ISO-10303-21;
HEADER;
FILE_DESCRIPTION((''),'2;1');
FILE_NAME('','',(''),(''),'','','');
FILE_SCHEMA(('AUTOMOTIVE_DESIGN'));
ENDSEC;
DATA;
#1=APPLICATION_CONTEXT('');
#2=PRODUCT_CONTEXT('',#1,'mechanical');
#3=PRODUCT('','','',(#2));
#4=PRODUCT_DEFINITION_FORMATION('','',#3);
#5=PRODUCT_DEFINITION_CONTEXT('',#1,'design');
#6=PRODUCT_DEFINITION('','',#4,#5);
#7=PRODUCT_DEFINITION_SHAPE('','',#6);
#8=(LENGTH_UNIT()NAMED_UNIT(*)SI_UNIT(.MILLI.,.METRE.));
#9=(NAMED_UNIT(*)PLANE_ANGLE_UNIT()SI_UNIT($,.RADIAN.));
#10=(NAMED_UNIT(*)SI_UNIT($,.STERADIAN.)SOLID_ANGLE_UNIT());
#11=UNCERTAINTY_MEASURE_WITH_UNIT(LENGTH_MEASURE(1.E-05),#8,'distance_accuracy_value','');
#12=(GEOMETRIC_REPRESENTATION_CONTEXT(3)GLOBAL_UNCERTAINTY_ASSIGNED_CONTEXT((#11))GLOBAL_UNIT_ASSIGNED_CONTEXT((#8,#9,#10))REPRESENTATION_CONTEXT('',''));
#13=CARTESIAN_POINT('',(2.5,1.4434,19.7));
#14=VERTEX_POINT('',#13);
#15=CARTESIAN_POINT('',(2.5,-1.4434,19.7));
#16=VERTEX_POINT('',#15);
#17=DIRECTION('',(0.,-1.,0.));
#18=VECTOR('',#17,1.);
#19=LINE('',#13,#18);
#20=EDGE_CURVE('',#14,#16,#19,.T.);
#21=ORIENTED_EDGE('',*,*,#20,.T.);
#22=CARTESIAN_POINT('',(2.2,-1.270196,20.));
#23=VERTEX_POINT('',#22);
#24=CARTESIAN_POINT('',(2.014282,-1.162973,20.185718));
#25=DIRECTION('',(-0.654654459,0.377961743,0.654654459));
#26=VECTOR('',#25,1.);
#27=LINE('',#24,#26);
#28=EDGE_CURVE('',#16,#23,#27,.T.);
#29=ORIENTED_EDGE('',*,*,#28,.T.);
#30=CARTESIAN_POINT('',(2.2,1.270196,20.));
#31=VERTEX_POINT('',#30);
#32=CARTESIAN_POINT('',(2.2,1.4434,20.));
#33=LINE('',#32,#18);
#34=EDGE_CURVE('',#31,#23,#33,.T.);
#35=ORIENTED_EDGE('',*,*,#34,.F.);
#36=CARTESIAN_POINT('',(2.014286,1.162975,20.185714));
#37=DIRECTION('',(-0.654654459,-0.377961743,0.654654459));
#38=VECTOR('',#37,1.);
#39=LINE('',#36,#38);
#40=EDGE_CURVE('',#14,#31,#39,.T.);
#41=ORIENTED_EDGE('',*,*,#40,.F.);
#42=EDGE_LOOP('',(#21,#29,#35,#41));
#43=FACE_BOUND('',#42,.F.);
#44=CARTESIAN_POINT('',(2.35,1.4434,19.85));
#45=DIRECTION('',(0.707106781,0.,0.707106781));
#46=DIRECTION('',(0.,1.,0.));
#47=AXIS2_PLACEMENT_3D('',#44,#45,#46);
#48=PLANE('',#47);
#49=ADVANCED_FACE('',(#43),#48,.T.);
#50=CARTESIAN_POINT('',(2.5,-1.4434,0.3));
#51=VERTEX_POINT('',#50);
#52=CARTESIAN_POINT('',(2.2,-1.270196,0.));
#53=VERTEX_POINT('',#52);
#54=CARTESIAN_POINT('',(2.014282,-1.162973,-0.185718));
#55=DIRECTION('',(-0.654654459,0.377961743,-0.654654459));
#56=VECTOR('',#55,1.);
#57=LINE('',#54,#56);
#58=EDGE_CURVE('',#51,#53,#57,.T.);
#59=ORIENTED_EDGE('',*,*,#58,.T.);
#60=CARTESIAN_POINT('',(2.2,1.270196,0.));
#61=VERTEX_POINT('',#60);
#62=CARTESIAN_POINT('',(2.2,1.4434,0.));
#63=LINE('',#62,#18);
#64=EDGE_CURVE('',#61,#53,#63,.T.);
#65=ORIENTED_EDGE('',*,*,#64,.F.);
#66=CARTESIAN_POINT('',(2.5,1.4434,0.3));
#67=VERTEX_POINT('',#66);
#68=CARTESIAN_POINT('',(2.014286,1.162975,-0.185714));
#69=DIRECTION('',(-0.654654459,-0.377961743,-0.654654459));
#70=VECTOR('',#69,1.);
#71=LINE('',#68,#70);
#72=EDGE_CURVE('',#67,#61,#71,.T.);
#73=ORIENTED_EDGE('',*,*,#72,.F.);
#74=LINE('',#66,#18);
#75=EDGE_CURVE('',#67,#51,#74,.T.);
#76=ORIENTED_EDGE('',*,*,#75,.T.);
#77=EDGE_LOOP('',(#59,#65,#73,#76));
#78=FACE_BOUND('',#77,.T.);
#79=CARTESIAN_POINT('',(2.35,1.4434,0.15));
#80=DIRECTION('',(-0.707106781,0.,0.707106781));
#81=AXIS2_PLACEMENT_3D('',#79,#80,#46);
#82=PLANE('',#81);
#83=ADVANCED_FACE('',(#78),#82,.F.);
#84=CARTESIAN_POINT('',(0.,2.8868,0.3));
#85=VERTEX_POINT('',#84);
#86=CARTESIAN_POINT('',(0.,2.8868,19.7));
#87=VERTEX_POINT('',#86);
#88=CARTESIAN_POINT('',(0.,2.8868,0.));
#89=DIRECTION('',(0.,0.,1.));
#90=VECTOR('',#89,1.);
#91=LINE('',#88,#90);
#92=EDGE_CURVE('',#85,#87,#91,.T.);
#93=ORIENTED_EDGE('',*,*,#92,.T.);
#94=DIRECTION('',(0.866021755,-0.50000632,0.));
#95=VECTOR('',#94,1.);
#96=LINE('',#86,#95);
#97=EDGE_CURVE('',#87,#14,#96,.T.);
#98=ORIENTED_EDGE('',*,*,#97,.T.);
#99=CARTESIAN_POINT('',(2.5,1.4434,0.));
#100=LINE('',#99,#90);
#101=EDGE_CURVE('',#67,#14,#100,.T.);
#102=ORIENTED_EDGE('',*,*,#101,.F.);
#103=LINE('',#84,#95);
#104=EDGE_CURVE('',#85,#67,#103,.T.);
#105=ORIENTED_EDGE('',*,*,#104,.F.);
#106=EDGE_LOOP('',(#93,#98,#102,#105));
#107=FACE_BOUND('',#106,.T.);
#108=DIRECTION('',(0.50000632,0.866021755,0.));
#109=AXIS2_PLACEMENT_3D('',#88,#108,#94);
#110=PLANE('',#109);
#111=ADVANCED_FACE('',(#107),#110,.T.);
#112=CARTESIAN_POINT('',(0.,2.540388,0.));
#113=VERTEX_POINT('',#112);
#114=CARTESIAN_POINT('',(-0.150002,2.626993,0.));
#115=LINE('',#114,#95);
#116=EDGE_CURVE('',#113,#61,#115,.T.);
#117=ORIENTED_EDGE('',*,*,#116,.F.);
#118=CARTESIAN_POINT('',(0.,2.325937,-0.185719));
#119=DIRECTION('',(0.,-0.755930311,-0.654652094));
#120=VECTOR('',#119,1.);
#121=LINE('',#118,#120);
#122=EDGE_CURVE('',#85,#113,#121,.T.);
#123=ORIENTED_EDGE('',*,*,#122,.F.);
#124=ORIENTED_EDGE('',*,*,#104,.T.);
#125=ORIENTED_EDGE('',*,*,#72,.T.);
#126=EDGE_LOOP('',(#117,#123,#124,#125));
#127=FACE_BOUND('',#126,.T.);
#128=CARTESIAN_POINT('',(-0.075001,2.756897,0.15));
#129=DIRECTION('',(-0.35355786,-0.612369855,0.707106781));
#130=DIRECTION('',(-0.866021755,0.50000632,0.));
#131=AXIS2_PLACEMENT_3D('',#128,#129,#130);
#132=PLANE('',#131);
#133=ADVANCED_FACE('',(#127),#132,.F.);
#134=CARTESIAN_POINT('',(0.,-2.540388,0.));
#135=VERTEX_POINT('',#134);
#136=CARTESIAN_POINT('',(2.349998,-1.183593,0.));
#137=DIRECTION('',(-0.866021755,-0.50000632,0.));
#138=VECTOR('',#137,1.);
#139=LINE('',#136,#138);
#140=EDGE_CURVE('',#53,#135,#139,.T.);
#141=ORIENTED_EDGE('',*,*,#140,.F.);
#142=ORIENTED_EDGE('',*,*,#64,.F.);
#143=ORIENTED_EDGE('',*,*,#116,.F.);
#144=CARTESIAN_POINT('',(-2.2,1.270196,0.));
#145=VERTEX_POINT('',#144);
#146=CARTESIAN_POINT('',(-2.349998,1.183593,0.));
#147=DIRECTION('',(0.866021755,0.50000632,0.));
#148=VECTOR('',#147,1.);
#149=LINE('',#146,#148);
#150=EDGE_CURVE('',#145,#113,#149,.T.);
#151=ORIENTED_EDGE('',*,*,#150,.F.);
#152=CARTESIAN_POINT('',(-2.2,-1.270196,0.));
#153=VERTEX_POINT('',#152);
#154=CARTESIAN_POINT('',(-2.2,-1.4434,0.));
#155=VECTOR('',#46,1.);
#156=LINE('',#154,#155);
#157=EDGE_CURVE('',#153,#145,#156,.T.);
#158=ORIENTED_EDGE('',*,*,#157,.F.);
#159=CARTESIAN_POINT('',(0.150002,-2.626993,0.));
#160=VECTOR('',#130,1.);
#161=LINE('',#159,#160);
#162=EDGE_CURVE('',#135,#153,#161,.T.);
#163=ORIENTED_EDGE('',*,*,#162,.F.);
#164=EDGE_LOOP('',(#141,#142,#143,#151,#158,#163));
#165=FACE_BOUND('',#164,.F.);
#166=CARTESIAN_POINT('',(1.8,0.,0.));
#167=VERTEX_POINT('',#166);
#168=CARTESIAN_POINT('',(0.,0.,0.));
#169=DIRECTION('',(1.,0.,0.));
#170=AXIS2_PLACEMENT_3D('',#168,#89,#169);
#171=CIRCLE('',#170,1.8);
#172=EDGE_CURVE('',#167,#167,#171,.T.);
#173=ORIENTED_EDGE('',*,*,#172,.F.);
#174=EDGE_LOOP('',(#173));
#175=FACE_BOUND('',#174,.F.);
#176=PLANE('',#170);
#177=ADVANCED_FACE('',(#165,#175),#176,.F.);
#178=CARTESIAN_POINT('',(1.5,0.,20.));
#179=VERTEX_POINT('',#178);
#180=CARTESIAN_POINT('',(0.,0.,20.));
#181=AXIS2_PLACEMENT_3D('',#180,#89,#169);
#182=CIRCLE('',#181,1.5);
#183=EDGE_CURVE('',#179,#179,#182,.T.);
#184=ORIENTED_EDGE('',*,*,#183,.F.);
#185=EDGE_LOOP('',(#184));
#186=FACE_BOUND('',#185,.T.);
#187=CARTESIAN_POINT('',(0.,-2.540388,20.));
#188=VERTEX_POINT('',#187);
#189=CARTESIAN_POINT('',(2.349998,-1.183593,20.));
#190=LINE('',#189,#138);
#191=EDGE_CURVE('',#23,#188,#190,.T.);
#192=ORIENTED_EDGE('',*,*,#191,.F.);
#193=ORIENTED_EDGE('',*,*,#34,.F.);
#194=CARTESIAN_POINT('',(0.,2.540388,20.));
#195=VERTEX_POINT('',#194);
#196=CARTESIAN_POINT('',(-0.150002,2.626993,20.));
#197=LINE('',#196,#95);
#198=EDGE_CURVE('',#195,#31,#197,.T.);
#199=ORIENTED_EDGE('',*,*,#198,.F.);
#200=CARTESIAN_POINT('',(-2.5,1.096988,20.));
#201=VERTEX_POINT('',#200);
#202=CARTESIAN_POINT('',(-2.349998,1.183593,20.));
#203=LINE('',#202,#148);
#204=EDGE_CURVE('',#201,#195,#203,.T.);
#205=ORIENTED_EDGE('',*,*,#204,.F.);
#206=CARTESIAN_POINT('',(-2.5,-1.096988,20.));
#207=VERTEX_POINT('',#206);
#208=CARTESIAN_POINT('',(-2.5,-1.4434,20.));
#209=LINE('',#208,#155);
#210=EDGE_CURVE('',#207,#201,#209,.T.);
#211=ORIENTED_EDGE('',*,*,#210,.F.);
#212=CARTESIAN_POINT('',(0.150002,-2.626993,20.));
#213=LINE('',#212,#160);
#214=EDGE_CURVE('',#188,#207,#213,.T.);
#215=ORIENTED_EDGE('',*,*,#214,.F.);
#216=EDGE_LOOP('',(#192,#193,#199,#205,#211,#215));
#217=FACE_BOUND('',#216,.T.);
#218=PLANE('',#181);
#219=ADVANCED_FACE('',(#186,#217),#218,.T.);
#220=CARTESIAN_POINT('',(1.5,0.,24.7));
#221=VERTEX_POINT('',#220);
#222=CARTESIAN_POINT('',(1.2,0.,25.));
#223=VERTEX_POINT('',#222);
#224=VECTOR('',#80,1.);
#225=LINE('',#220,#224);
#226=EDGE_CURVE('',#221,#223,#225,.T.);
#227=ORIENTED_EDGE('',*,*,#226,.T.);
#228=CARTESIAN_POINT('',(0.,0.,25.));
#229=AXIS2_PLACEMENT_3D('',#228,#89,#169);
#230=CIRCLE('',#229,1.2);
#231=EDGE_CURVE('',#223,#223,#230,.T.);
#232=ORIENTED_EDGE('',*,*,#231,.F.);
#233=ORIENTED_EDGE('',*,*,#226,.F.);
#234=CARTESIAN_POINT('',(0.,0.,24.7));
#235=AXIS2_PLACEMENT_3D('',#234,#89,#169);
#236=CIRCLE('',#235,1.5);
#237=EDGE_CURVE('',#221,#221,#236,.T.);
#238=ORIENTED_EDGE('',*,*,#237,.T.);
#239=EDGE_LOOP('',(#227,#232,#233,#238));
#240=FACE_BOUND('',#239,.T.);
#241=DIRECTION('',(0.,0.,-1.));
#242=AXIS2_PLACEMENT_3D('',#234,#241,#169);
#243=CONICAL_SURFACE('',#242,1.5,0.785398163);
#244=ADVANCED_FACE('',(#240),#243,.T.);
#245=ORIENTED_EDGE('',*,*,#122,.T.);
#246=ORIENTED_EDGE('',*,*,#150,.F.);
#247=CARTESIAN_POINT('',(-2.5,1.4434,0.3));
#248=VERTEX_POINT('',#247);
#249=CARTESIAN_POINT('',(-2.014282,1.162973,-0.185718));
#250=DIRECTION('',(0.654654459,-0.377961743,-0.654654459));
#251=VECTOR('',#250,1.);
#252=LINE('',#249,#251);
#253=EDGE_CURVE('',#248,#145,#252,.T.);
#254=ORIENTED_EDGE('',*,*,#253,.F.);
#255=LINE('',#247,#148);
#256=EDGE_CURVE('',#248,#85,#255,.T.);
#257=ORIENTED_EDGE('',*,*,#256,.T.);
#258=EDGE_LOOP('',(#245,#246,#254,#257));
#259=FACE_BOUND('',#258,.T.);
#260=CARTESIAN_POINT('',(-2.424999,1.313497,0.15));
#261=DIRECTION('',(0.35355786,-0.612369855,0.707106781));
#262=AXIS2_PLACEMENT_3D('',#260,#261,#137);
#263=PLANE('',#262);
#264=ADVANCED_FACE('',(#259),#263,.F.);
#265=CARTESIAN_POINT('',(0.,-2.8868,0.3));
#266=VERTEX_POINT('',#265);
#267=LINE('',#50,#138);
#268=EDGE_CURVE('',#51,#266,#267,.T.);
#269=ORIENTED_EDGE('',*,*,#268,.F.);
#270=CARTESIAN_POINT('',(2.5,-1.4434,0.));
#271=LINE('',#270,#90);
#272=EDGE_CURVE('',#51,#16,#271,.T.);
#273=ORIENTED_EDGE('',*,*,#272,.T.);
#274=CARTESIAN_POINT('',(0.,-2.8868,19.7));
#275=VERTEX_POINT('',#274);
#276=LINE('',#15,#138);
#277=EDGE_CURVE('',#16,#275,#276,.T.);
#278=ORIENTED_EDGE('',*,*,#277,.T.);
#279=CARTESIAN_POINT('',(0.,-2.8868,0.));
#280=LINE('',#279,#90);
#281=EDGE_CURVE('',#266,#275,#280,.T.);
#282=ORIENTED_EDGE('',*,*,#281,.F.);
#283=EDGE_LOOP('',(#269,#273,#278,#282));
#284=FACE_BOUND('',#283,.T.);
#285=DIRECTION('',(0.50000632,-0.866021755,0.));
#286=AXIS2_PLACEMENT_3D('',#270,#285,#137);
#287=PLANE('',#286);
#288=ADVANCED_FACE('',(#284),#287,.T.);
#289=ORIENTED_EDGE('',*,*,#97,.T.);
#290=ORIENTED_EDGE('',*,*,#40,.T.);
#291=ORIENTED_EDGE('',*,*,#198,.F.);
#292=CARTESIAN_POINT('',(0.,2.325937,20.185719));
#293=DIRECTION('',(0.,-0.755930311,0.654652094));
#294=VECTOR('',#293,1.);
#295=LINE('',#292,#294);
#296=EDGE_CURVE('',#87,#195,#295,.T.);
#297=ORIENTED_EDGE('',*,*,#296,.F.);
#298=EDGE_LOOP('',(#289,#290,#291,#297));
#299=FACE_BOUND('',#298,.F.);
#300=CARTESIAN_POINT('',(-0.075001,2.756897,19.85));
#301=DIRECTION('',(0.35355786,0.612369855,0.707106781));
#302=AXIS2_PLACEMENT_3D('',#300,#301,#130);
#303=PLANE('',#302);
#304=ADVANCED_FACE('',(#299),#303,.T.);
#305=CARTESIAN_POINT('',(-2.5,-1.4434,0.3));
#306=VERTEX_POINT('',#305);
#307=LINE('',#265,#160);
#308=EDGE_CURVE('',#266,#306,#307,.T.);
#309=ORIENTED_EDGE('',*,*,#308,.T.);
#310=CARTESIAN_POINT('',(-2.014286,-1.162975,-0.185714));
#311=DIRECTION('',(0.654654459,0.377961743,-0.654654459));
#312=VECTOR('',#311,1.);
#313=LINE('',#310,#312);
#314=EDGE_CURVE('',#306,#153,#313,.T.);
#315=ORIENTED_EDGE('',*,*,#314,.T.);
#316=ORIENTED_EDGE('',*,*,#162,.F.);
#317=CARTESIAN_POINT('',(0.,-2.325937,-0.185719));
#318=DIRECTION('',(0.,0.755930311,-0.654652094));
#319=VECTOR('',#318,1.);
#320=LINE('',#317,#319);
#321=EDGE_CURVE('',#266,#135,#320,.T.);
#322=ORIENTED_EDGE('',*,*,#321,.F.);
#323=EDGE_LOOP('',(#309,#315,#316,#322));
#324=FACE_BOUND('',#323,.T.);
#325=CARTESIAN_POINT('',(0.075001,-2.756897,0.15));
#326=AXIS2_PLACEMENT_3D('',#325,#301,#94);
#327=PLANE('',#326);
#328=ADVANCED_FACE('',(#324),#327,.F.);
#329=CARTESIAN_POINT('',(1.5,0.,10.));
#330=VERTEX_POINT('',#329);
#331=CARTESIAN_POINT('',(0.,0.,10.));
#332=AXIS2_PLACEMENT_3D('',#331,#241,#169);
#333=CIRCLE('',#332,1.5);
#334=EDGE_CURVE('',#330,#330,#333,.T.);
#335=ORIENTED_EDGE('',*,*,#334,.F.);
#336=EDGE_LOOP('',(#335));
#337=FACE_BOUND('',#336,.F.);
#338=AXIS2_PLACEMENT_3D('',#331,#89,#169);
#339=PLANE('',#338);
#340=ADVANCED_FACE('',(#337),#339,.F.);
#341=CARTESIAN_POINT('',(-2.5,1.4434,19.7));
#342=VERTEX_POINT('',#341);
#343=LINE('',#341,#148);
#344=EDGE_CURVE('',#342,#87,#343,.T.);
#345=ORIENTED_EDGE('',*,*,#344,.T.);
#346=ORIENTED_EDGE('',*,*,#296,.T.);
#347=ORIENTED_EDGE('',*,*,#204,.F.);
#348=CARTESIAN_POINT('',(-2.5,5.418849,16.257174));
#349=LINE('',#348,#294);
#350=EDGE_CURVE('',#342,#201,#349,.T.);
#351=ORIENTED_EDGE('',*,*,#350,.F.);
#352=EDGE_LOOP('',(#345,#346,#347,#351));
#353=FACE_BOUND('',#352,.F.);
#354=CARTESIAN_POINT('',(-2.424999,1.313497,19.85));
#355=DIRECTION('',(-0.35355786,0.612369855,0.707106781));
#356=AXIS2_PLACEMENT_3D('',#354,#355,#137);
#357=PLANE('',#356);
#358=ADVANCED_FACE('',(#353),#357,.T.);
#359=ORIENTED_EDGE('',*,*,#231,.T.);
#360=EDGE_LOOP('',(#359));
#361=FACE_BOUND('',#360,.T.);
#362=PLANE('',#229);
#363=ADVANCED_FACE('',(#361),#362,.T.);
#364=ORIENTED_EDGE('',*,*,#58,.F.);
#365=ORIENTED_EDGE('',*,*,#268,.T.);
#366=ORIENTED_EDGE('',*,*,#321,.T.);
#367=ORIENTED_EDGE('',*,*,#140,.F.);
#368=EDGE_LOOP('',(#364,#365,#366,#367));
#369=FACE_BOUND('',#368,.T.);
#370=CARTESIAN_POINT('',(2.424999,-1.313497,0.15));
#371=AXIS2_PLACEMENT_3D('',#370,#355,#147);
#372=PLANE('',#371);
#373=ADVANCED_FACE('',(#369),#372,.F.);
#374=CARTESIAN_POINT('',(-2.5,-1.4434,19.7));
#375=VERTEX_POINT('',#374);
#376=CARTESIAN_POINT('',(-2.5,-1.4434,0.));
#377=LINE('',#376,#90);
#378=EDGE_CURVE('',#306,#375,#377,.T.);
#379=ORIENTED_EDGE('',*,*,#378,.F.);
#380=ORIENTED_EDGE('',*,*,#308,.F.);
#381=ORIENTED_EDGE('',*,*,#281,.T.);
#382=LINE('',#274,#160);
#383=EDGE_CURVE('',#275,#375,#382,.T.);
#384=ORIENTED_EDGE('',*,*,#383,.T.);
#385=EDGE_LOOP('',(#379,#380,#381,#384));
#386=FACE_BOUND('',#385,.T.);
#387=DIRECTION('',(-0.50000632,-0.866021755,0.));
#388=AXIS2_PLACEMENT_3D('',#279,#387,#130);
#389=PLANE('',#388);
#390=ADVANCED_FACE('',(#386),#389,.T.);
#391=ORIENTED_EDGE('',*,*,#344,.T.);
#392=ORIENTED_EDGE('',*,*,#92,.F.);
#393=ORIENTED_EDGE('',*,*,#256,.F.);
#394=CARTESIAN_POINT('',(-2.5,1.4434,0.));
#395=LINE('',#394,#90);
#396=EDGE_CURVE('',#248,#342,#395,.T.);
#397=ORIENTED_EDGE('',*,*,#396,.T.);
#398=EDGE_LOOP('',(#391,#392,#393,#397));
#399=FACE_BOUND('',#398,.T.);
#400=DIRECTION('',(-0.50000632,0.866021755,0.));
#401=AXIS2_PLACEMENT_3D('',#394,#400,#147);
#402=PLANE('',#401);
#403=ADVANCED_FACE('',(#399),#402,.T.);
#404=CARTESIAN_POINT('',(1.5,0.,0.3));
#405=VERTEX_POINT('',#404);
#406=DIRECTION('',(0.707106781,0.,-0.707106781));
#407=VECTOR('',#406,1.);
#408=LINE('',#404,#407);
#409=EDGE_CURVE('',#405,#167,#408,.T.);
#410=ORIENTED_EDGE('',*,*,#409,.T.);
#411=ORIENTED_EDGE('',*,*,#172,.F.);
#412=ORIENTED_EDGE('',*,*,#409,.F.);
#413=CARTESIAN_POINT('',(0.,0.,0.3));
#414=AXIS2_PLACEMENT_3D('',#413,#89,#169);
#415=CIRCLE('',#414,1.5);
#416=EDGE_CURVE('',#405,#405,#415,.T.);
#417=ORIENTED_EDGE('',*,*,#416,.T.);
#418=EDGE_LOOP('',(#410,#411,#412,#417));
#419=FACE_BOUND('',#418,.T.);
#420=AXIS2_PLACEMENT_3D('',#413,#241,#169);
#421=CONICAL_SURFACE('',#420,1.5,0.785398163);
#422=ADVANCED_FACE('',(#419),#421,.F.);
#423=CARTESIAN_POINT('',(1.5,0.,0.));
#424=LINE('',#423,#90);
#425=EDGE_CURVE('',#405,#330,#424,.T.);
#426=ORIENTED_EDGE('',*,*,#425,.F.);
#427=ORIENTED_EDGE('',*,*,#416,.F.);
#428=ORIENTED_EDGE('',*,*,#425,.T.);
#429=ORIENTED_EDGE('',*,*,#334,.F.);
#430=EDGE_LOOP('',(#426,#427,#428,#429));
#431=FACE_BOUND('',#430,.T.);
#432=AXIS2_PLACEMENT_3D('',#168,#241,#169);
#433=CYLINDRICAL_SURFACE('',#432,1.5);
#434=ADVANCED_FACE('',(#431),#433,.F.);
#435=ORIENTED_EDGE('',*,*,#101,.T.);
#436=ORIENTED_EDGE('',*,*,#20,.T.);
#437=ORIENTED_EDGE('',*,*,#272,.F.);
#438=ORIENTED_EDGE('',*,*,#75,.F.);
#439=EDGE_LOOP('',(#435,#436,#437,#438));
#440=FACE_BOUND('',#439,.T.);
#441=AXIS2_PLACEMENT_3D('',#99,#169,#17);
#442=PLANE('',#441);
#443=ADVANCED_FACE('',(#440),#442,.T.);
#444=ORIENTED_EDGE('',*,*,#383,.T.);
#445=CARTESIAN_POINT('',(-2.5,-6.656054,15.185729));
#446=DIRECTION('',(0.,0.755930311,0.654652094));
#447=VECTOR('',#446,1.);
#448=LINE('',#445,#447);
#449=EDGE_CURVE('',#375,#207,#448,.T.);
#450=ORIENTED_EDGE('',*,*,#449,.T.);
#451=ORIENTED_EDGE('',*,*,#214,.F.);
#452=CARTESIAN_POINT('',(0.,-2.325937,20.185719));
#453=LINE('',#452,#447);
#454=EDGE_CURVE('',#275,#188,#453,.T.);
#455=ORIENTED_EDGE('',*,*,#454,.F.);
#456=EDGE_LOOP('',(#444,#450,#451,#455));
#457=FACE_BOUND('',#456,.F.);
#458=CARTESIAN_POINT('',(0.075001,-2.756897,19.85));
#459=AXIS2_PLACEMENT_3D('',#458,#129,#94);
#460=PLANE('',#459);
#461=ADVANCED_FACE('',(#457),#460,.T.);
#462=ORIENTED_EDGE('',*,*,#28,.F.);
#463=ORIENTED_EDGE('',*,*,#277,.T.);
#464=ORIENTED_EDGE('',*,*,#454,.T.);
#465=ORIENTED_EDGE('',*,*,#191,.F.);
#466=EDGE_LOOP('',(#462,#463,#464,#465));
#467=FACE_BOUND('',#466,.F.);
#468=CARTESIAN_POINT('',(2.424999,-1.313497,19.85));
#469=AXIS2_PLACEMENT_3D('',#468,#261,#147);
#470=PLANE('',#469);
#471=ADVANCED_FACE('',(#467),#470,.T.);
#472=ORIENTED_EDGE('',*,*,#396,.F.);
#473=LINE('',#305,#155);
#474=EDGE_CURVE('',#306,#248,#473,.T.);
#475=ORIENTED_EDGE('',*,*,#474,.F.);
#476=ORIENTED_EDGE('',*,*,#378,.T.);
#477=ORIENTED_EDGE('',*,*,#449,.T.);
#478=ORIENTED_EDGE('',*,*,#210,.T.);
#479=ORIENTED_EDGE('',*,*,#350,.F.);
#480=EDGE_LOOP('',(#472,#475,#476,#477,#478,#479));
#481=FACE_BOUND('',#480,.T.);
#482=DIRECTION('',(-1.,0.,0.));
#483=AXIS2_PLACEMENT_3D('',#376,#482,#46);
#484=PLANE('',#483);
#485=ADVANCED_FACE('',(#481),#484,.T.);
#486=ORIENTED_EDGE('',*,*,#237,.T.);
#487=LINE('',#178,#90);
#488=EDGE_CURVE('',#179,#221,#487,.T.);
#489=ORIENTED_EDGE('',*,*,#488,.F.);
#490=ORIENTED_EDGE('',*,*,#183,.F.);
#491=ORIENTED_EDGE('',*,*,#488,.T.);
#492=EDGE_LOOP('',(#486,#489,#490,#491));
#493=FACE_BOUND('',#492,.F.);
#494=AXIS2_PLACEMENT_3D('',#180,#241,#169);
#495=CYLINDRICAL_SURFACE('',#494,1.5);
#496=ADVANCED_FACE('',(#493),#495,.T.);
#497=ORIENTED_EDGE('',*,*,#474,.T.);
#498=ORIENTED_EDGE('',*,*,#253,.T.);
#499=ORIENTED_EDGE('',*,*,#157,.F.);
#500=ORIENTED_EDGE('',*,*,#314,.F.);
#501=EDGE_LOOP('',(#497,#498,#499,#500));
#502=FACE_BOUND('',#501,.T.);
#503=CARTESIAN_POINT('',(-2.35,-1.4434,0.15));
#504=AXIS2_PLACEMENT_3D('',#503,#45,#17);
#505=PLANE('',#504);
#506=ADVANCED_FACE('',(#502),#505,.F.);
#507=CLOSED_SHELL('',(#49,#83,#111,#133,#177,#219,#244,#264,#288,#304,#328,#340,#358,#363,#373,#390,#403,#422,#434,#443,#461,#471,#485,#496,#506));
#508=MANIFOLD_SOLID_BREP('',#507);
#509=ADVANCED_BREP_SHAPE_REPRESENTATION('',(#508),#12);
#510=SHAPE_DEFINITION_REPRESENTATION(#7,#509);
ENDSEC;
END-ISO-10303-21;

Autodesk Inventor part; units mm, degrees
ref_plane "YZ Plane" through (0, 0, 0) normal (1, 0, 0) x (0, 1, 0)
ref_plane "XZ Plane" through (0, 0, 0) normal (0, 1, 0) x (-1, 0, 0)
ref_plane "XY Plane" through (0, 0, 0) normal (0, 0, 1) x (1, 0, 0)
sketch "Skizze1" plane through (0, 0, 0) normal (0, 0, 1) x (1, 0, 0)
  line L0 (0, 2.8868) -> (2.5, 1.4434)
  line L1 (2.5, 1.4434) -> (2.5, -1.4434)
  line L2 (2.5, -1.4434) -> (0, -2.8868)
  line L3 (0, -2.8868) -> (-2.5, -1.4434)
  line L4 (-2.5, -1.4434) -> (-2.5, 1.4434)
  line L5 (-2.5, 1.4434) -> (0, 2.8868)
  circle A0 centre (0, 0) radius 1.5
  dimension "d0" = 5
  dimension "d1" = 3
extrude "Extrusion1" add sketch "Skizze1" along normal blind 20
chamfer "Fase1" distance 0.3 angle 45 13 edges at (1.25, -2.1651, 20) (-1.25, -2.1651, 20) (2.5, 0, 20) (1.25, 2.1651, 20) (-1.25, 2.1651, 20) (1.25, -2.1651, 0) (2.5, 0, 0) (-1.25, -2.1651, 0) (1.25, 2.1651, 0) (-1.25, 2.1651, 0) (-2.5, 0, 0) (-1.5, 0, 20) (-1.5, 0, 0)
thread "Gewinde1" size "M3x0.5" class "6H" standard "ANSI Metric M Profile" full length
sketch "Skizze2" plane through (0, 0, 20) normal (0, 0, 1) x (1, 0, 0)
  line L0 (0, -2.5403) -> (-2.5, -1.097) projected
  line L1 (2.2, -1.2702) -> (0, -2.5403) projected
  line L2 (2.2, 1.2702) -> (2.2, -1.2702) projected
  line L3 (0, 2.5403) -> (2.2, 1.2702) projected
  line L4 (-2.5, 1.097) -> (0, 2.5403) projected
  line L5 (-2.5, 1.097) -> (-2.5, -1.097) projected
  circle A0 centre (0, 0) radius 1.8 projected
extrude "Extrusion2" add sketch "Skizze2" against normal blind 10 contours A0
sketch "Skizze3" plane through (0, 0, 20) normal (0, 0, 1) x (1, 0, 0)
  circle A0 centre (0, 0) radius 1.5
  dimension "d11" = 3
extrude "Extrusion3" add sketch "Skizze3" along normal blind 5
thread "Gewinde2" size "M3x0.5" class "6g" standard "ANSI Metric M Profile" full length
chamfer "Fase2" distance 0.3 angle 45 1 edges at (-1.5, 0, 25)
properties part number "Distanzhuelse_M3x20mm_" material "Nickel-Kupfer-Legierung 400"
